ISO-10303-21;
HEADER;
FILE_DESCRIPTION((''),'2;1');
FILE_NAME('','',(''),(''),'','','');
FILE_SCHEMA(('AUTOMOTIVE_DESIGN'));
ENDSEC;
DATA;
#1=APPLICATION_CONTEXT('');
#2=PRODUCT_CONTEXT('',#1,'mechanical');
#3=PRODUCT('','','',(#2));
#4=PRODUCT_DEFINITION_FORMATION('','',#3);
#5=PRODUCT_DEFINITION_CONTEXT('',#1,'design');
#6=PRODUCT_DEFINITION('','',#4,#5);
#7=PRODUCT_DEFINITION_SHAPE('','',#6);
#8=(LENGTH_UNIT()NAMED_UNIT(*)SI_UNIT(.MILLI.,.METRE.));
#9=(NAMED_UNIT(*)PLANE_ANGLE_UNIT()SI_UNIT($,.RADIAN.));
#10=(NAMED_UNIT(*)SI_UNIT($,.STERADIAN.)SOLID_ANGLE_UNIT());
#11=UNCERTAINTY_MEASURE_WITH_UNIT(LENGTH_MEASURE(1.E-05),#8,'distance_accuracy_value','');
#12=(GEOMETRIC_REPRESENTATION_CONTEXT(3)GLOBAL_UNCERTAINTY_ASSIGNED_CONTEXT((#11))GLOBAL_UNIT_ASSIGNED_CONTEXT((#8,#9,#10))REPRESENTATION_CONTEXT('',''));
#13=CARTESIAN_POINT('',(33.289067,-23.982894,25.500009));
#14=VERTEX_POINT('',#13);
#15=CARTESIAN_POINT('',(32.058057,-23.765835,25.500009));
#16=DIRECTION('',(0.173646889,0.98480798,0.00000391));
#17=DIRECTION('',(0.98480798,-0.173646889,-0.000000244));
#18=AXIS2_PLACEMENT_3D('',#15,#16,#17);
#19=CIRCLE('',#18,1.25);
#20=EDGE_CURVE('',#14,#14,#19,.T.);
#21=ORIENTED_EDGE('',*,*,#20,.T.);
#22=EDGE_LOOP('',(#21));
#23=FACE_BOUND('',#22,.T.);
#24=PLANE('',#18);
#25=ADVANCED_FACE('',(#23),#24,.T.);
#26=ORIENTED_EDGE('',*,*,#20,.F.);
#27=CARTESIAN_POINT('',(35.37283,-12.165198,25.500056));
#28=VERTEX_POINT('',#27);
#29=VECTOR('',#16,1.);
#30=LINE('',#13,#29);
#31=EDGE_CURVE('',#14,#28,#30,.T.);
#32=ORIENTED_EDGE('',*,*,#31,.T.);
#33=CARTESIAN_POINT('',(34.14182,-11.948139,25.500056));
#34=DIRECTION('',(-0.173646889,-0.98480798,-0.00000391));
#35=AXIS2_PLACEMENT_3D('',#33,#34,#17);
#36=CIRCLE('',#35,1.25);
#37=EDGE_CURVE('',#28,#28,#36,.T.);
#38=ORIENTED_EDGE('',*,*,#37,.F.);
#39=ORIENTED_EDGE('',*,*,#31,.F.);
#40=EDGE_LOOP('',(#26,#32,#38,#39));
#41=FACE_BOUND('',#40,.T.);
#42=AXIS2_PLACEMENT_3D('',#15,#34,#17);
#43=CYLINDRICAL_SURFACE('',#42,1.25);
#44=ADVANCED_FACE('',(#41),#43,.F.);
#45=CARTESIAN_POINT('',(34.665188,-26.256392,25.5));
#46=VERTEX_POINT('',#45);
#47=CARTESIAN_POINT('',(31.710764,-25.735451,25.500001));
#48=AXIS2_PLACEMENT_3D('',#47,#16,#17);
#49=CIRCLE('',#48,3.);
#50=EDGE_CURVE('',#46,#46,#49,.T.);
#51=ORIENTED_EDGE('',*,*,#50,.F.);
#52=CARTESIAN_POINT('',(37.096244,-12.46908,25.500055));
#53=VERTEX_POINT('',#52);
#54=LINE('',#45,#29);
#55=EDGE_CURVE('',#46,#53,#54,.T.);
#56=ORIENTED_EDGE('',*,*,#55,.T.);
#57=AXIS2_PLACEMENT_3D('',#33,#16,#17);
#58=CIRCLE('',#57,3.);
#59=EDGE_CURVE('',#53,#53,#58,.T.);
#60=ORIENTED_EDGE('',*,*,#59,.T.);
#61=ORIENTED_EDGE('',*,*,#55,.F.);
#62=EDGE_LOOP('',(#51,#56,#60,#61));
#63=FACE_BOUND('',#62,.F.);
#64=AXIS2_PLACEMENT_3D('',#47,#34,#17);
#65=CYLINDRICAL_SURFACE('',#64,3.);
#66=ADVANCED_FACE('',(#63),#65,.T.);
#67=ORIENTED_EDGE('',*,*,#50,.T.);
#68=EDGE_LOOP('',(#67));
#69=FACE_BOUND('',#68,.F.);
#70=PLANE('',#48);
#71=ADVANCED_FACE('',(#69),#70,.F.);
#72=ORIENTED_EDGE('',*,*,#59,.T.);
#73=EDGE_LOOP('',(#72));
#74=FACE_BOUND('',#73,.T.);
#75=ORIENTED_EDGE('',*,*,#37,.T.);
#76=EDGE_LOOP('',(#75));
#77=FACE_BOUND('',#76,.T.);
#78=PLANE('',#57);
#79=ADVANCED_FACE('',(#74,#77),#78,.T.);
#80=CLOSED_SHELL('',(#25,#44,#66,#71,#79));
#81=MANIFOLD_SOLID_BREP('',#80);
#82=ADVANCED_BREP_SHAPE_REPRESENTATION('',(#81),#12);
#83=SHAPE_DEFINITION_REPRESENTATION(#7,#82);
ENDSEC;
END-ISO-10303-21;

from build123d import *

# Parameters (mm, degrees)
CYLINDER035_R               = 1.25
CYLINDER035_DEPTH           = 14
CYLINDER035_ROLL_ANGLE      = -89.999776
CYLINDER035_PITCH_ANGLE     = 1.4e-05
CYLINDER035_PLACEMENT_ANGLE = -9.999925
CYLINDER028_R               = 3
CYLINDER028_DEPTH           = 14
CYLINDER028_ROLL_ANGLE      = -89.999776
CYLINDER028_PITCH_ANGLE     = 1.4e-05
CYLINDER028_PLACEMENT_ANGLE = -9.999925


with BuildPart() as cylinder035:
    # Cylinder035 → Cylinder035 (new body)
    with BuildSketch(Plane.XY):
        Circle(CYLINDER035_R)
    extrude(amount=CYLINDER035_DEPTH)


with BuildPart() as cylinder035_1:
    # Cylinder035 roll: moved
    add(cylinder035.part.rotate(Axis((0, 0, 0), (1, 0, 0)), CYLINDER035_ROLL_ANGLE))


with BuildPart() as cylinder035_2:
    # Cylinder035 pitch: moved
    add(cylinder035_1.part.rotate(Axis((0, 0, 0), (0, 1, 0)), CYLINDER035_PITCH_ANGLE))


with BuildPart() as cylinder035_3:
    # Cylinder035 placement: moved
    add(cylinder035_2.part.moved(Location((32.058057, -23.765835, 25.500009))).rotate(Axis((32.058057, -23.765835, 25.500009), (0, 0, 1)), CYLINDER035_PLACEMENT_ANGLE))


with BuildPart() as cut033:
    # Cylinder028 → Cylinder028 (new body)
    with BuildSketch(Plane.XY):
        Circle(CYLINDER028_R)
    extrude(amount=CYLINDER028_DEPTH)


with BuildPart() as cut033_1:
    # Cylinder028 roll: moved
    add(cut033.part.rotate(Axis((0, 0, 0), (1, 0, 0)), CYLINDER028_ROLL_ANGLE))


with BuildPart() as cut033_2:
    # Cylinder028 pitch: moved
    add(cut033_1.part.rotate(Axis((0, 0, 0), (0, 1, 0)), CYLINDER028_PITCH_ANGLE))


with BuildPart() as cut033_3:
    # Cylinder028 placement: moved
    add(cut033_2.part.moved(Location((31.710764, -25.735451, 25.500001))).rotate(Axis((31.710764, -25.735451, 25.500001), (0, 0, 1)), CYLINDER028_PLACEMENT_ANGLE))

    # Cut033: cut Cylinder035
    add(cylinder035_3.part, mode=Mode.SUBTRACT)


solid = cut033_3.part
